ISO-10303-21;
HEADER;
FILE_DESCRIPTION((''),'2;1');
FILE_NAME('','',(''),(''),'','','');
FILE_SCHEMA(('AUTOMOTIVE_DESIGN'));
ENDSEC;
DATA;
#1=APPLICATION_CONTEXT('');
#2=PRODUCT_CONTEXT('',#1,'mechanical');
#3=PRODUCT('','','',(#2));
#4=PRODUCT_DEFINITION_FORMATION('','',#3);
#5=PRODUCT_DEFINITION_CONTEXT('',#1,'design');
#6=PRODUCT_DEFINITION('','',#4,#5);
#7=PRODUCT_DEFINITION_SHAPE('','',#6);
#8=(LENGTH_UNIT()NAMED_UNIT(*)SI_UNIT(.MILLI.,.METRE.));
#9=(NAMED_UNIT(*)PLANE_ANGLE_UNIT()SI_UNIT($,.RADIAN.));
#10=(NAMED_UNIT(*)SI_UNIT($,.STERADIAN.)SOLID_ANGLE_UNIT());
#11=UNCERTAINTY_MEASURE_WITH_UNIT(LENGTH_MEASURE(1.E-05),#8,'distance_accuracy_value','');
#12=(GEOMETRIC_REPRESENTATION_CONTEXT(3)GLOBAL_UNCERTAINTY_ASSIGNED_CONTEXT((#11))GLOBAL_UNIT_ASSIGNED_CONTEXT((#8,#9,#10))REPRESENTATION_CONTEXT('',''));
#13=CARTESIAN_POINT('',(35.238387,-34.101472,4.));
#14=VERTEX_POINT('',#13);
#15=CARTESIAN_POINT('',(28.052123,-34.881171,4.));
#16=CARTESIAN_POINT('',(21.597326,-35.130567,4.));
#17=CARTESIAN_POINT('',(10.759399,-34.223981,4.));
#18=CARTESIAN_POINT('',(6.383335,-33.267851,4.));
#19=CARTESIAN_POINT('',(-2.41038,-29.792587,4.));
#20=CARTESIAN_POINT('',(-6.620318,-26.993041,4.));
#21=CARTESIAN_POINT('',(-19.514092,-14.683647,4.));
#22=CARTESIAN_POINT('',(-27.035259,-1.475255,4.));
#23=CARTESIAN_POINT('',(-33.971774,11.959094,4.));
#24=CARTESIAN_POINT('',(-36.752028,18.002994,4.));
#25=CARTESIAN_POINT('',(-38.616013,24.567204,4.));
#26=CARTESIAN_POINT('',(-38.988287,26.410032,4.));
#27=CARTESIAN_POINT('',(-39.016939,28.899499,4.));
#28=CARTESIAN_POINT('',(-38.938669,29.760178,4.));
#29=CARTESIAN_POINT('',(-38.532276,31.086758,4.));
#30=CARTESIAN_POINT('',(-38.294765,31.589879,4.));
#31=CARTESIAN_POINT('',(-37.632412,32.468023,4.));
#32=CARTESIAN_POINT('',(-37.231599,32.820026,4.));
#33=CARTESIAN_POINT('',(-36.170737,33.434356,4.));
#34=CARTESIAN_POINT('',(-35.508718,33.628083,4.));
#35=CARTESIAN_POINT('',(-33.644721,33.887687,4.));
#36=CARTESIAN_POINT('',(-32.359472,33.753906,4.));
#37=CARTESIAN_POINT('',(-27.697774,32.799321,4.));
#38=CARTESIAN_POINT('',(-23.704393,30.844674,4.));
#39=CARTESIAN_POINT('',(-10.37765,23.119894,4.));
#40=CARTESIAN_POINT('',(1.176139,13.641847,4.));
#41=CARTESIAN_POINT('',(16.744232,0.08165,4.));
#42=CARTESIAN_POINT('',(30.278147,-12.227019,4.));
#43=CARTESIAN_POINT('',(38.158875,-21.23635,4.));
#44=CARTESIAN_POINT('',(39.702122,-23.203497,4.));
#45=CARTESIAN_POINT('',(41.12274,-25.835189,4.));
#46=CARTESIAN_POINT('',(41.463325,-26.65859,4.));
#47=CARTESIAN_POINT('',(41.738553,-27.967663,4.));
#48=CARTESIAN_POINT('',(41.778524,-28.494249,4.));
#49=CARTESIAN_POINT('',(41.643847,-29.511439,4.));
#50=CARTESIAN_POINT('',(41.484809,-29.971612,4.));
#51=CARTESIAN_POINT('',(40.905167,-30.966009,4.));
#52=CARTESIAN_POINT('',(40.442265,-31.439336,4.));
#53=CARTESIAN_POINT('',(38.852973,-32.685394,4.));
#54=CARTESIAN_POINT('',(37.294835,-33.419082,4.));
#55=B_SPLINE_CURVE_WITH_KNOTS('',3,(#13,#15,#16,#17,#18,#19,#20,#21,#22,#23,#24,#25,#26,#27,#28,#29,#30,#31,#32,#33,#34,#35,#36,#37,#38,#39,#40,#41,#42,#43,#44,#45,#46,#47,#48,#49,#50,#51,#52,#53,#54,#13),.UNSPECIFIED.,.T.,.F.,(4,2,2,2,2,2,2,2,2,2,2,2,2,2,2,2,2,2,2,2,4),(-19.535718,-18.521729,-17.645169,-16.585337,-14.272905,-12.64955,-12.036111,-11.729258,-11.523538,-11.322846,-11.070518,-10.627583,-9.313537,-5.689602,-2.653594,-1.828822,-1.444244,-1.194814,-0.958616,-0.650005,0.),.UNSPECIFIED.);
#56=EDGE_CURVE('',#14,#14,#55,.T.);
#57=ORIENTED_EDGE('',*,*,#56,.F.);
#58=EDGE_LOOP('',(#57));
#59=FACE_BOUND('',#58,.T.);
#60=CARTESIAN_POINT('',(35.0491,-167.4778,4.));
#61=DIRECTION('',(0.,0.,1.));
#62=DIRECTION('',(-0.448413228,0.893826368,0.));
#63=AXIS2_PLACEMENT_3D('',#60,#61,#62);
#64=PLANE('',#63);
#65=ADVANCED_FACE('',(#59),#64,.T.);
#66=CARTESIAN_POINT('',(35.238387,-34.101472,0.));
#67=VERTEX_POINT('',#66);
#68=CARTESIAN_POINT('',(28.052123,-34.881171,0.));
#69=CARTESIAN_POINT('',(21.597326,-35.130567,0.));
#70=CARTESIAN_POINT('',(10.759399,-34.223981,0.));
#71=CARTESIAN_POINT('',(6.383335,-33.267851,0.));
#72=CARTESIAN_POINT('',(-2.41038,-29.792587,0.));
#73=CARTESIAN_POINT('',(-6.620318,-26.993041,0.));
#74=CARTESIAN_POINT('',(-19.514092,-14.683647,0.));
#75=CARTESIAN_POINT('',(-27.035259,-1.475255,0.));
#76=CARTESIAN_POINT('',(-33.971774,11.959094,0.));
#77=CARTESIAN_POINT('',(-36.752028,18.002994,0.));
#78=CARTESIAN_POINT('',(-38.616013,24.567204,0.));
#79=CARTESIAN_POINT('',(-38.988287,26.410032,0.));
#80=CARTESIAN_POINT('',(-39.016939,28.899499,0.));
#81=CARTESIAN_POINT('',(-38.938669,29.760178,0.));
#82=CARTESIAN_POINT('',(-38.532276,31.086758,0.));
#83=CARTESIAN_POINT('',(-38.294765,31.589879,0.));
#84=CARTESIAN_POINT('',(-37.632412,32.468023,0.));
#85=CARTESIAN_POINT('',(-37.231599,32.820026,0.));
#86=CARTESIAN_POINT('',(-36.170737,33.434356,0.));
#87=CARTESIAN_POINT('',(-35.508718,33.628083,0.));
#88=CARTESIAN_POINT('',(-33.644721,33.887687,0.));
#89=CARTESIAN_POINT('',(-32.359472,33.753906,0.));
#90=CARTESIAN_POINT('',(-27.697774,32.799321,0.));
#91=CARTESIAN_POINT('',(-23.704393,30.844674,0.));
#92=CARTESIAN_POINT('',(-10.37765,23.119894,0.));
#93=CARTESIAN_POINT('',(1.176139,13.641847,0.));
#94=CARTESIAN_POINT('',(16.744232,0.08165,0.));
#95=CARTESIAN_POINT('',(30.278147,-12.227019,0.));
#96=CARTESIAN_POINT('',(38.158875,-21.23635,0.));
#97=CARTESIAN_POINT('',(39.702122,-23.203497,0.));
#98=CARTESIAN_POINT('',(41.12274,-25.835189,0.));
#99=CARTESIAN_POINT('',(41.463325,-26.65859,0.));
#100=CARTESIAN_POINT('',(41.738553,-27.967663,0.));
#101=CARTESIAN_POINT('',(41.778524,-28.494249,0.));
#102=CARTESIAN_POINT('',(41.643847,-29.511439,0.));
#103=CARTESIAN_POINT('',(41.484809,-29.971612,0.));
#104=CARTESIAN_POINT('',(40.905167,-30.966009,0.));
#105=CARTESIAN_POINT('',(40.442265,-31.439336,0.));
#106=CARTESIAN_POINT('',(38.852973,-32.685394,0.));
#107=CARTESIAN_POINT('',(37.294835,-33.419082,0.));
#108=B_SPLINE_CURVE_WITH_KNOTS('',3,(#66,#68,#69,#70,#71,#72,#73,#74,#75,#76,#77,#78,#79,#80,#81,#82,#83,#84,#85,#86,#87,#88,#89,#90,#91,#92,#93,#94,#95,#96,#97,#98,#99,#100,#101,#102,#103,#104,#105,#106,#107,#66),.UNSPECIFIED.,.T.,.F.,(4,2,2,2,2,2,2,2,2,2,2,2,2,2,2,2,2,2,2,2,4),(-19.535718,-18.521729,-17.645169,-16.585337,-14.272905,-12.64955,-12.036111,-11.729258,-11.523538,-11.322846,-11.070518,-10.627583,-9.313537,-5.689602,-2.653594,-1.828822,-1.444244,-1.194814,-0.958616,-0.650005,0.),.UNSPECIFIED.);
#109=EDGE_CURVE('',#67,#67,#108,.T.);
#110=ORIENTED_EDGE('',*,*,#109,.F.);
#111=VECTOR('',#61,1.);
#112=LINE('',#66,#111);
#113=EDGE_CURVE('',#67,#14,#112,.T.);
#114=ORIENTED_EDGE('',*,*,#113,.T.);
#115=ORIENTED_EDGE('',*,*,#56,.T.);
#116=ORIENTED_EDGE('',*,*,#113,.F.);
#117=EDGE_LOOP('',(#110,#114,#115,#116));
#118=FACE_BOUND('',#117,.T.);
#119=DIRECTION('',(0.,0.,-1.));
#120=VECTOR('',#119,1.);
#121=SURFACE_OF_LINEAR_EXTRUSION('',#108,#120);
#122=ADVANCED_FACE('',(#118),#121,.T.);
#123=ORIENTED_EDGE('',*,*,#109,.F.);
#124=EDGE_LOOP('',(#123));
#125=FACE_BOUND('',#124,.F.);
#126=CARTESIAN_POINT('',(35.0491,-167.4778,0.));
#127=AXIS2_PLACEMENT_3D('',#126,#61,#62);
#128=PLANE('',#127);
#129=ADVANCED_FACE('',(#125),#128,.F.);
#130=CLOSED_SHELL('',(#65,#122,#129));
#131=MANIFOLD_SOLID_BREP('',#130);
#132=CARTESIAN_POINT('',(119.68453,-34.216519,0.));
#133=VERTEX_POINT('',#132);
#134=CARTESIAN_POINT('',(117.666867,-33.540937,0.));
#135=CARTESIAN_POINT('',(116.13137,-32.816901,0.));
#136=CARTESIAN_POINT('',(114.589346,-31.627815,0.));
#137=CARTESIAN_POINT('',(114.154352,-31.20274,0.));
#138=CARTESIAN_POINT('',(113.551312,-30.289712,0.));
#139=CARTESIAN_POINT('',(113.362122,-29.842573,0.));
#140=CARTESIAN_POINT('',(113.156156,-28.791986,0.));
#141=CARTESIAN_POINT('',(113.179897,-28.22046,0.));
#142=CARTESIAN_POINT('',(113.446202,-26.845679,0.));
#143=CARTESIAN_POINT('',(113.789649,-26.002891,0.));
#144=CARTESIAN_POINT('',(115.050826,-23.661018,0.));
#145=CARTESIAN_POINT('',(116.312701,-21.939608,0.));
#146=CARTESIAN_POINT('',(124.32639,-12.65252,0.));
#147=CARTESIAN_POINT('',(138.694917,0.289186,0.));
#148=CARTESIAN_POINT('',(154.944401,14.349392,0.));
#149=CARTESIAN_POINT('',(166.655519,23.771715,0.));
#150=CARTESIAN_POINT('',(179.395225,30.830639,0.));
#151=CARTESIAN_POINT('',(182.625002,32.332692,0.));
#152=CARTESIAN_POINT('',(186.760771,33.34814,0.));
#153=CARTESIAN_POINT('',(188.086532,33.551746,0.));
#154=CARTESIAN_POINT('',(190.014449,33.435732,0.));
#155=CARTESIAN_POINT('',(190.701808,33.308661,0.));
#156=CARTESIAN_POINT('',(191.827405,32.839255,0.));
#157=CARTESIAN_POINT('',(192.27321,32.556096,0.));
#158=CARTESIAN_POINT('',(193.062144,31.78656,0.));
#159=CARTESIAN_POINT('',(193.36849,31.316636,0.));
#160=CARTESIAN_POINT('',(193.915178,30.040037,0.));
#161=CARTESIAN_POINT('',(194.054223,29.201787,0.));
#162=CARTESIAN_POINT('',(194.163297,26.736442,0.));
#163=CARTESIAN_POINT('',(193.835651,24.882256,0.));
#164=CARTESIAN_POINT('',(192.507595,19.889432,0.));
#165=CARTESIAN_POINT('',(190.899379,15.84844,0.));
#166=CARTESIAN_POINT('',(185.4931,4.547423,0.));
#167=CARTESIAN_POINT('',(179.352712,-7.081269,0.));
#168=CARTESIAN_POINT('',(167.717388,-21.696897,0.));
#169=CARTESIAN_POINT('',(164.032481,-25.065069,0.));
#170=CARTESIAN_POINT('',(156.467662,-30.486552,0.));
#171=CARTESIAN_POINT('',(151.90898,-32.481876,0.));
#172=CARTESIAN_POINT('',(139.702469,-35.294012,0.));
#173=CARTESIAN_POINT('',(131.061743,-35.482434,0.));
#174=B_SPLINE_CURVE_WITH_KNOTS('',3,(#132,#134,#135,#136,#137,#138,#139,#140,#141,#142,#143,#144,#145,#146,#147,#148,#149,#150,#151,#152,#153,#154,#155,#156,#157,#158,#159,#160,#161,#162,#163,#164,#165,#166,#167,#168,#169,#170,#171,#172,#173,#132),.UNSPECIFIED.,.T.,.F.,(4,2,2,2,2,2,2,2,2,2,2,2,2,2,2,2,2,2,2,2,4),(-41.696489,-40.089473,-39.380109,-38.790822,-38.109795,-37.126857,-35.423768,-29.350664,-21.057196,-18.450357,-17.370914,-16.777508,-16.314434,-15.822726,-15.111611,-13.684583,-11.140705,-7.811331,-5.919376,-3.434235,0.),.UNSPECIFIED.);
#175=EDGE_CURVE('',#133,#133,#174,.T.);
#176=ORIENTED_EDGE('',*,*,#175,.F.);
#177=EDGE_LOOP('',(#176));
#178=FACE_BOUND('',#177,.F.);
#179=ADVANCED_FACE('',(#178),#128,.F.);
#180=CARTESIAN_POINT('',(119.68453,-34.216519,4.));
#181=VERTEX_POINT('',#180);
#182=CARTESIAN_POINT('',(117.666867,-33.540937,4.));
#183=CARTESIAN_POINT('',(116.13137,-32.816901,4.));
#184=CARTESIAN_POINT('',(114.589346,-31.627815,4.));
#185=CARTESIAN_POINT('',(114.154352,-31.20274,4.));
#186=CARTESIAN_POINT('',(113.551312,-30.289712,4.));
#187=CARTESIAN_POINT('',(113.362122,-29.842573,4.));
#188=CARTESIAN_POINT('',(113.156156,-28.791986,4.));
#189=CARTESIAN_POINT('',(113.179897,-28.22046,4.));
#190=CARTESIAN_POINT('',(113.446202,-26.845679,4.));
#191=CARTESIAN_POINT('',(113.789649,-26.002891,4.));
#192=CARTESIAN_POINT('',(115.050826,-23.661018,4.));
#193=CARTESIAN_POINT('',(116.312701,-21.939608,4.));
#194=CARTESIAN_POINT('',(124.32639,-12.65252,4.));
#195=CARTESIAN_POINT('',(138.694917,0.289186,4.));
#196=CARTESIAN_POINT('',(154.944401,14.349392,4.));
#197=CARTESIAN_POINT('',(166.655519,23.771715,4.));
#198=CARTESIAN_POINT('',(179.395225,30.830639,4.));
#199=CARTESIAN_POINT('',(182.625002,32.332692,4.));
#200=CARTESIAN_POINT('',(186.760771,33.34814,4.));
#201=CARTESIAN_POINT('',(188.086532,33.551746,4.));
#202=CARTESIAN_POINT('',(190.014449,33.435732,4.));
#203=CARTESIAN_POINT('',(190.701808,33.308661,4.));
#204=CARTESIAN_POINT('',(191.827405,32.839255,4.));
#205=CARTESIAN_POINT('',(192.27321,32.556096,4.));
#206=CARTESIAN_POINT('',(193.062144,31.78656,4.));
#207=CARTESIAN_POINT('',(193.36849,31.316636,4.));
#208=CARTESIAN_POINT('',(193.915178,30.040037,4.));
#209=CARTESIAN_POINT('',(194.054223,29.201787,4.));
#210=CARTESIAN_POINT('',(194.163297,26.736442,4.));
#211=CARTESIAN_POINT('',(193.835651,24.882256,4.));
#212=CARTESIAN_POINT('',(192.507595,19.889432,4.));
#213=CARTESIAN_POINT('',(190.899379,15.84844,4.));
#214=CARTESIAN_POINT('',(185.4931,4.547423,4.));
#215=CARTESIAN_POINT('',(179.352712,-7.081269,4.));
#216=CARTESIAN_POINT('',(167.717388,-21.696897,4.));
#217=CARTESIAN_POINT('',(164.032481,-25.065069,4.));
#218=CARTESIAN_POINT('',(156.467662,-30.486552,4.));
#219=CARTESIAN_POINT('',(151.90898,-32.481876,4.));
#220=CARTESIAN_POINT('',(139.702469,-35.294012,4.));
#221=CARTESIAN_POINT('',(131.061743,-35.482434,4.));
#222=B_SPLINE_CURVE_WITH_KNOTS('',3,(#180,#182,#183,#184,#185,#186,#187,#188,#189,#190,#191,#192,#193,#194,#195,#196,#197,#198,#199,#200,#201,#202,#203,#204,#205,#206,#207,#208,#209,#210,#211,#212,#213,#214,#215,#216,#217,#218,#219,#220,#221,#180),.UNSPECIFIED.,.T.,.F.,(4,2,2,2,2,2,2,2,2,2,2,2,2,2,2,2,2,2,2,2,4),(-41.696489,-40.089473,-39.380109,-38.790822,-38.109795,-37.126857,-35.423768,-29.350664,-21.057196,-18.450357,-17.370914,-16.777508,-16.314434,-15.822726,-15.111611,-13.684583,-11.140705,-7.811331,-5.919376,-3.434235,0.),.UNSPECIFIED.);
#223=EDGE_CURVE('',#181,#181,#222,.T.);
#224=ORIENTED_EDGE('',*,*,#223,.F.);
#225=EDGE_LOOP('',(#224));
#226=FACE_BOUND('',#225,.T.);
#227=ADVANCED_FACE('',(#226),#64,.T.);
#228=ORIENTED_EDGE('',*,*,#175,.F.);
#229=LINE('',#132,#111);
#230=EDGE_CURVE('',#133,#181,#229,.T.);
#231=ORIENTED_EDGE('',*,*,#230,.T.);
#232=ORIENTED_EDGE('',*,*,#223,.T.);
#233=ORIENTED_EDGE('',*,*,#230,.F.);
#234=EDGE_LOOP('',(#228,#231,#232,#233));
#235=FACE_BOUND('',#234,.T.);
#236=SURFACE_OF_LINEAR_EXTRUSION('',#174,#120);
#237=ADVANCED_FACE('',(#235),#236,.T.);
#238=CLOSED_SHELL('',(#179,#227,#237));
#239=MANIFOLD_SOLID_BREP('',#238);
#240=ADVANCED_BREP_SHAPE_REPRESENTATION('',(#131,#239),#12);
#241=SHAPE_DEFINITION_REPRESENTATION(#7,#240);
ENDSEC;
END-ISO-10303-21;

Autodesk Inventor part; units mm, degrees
ref_plane "YZ Plane" through (0, 0, 0) normal (1, 0, 0) x (0, 1, 0)
ref_plane "XZ Plane" through (0, 0, 0) normal (0, 1, 0) x (-1, 0, 0)
ref_plane "XY Plane" through (0, 0, 0) normal (0, 0, 1) x (1, 0, 0)
ref_plane "РабПлоскость1" through (35.0491, -167.4778, 0) normal (0, 0, 1) x (-0.4484, 0.8938, 0)
sketch "Эскиз1" plane through (35.0491, -167.4778, 0) normal (0, 0, 1) x (-0.4484, 0.8938, 0)
  spline S0 degree 3 poles (119.1304, -59.9769) (121.6559, -53.204) (124.3274, -47.3227) (129.9976, -38.042) (132.8145, -34.5593) (139.864, -28.2576) (144.2541, -25.75) (161.0383, -19.7449) (176.2169, -18.9451) (191.3353, -18.7692) (197.9842, -18.9943) (204.6873, -20.2717) (206.5014, -20.7653) (208.7394, -21.856) (209.4736, -22.3119) (210.4771, -23.27) (210.8203, -23.7079) (211.3082, -24.6937) (211.4431, -25.2098) (211.5165, -26.4335) (211.3928, -27.1121) (210.789, -28.8946) (210.0931, -29.9834) (207.1495, -33.7221) (203.6117, -36.415) (190.7312, -44.8629) (177.0786, -50.9399) (157.9772, -58.7745) (140.9066, -65.3521) (129.32, -68.3562) (126.8697, -68.8535) (123.8804, -68.9432) (122.9917, -68.8784) (121.6982, -68.5374) (121.2096, -68.337) (120.3608, -67.7605) (120.0208, -67.412) (119.3919, -66.448) (119.1764, -65.822) (118.7753, -63.8427) (118.8182, -62.121) (119.1304, -59.9769) knots -19.535718 -19.535718 -19.535718 -19.535718 -18.521729 -18.521729 -17.645169 -17.645169 -16.585337 -16.585337 -14.272905 -14.272905 -12.64955 -12.64955 -12.036111 -12.036111 -11.729258 -11.729258 -11.523538 -11.523538 -11.322846 -11.322846 -11.070518 -11.070518 -10.627583 -10.627583 -9.313537 -9.313537 -5.689602 -5.689602 -2.653594 -2.653594 -1.828822 -1.828822 -1.444244 -1.444244 -1.194814 -1.194814 -0.958616 -0.958616 -0.650005 -0.650005 0 0 0 0 projected
  spline S1 degree 3 poles (81.1608, -135.4055) (82.6694, -133.905) (84.0051, -132.8572) (85.7594, -132.0121) (86.3344, -131.8139) (87.4209, -131.6843) (87.9054, -131.7157) (88.9368, -132.0027) (89.437, -132.2802) (90.5464, -133.1347) (91.1457, -133.8196) (92.6734, -135.997) (93.6462, -137.8968) (98.3538, -149.2241) (103.4784, -167.8703) (108.7593, -188.6993) (111.9298, -203.3921) (112.5266, -217.9445) (112.4209, -221.5049) (111.474, -225.6569) (111.0615, -226.9332) (110.0933, -228.6044) (109.6715, -229.1618) (108.7472, -229.9574) (108.2942, -230.2289) (107.2526, -230.589) (106.6952, -230.6521) (105.309, -230.5683) (104.4974, -230.3167) (102.2449, -229.3087) (100.7345, -228.1844) (96.8673, -224.7585) (93.9765, -221.509) (86.2996, -211.6092) (78.659, -200.9063) (70.8126, -183.9525) (69.4544, -179.1485) (68.0007, -169.9558) (68.2614, -164.9864) (71.2214, -152.8149) (74.9276, -145.0071) (81.1608, -135.4055) knots -41.696489 -41.696489 -41.696489 -41.696489 -40.089473 -40.089473 -39.380109 -39.380109 -38.790822 -38.790822 -38.109795 -38.109795 -37.126857 -37.126857 -35.423768 -35.423768 -29.350664 -29.350664 -21.057196 -21.057196 -18.450357 -18.450357 -17.370914 -17.370914 -16.777508 -16.777508 -16.314434 -16.314434 -15.822726 -15.822726 -15.111611 -15.111611 -13.684583 -13.684583 -11.140705 -11.140705 -7.811331 -7.811331 -5.919376 -5.919376 -3.434235 -3.434235 0 0 0 0 projected
  point P0 (165.4144, -43.7645)
  point P1 (119.1304, -59.9769)
  point P2 (81.1608, -135.4055)
extrude "Выдавливание1" add sketch "Эскиз1" along normal blind 4
properties part number "втавки в уши"
